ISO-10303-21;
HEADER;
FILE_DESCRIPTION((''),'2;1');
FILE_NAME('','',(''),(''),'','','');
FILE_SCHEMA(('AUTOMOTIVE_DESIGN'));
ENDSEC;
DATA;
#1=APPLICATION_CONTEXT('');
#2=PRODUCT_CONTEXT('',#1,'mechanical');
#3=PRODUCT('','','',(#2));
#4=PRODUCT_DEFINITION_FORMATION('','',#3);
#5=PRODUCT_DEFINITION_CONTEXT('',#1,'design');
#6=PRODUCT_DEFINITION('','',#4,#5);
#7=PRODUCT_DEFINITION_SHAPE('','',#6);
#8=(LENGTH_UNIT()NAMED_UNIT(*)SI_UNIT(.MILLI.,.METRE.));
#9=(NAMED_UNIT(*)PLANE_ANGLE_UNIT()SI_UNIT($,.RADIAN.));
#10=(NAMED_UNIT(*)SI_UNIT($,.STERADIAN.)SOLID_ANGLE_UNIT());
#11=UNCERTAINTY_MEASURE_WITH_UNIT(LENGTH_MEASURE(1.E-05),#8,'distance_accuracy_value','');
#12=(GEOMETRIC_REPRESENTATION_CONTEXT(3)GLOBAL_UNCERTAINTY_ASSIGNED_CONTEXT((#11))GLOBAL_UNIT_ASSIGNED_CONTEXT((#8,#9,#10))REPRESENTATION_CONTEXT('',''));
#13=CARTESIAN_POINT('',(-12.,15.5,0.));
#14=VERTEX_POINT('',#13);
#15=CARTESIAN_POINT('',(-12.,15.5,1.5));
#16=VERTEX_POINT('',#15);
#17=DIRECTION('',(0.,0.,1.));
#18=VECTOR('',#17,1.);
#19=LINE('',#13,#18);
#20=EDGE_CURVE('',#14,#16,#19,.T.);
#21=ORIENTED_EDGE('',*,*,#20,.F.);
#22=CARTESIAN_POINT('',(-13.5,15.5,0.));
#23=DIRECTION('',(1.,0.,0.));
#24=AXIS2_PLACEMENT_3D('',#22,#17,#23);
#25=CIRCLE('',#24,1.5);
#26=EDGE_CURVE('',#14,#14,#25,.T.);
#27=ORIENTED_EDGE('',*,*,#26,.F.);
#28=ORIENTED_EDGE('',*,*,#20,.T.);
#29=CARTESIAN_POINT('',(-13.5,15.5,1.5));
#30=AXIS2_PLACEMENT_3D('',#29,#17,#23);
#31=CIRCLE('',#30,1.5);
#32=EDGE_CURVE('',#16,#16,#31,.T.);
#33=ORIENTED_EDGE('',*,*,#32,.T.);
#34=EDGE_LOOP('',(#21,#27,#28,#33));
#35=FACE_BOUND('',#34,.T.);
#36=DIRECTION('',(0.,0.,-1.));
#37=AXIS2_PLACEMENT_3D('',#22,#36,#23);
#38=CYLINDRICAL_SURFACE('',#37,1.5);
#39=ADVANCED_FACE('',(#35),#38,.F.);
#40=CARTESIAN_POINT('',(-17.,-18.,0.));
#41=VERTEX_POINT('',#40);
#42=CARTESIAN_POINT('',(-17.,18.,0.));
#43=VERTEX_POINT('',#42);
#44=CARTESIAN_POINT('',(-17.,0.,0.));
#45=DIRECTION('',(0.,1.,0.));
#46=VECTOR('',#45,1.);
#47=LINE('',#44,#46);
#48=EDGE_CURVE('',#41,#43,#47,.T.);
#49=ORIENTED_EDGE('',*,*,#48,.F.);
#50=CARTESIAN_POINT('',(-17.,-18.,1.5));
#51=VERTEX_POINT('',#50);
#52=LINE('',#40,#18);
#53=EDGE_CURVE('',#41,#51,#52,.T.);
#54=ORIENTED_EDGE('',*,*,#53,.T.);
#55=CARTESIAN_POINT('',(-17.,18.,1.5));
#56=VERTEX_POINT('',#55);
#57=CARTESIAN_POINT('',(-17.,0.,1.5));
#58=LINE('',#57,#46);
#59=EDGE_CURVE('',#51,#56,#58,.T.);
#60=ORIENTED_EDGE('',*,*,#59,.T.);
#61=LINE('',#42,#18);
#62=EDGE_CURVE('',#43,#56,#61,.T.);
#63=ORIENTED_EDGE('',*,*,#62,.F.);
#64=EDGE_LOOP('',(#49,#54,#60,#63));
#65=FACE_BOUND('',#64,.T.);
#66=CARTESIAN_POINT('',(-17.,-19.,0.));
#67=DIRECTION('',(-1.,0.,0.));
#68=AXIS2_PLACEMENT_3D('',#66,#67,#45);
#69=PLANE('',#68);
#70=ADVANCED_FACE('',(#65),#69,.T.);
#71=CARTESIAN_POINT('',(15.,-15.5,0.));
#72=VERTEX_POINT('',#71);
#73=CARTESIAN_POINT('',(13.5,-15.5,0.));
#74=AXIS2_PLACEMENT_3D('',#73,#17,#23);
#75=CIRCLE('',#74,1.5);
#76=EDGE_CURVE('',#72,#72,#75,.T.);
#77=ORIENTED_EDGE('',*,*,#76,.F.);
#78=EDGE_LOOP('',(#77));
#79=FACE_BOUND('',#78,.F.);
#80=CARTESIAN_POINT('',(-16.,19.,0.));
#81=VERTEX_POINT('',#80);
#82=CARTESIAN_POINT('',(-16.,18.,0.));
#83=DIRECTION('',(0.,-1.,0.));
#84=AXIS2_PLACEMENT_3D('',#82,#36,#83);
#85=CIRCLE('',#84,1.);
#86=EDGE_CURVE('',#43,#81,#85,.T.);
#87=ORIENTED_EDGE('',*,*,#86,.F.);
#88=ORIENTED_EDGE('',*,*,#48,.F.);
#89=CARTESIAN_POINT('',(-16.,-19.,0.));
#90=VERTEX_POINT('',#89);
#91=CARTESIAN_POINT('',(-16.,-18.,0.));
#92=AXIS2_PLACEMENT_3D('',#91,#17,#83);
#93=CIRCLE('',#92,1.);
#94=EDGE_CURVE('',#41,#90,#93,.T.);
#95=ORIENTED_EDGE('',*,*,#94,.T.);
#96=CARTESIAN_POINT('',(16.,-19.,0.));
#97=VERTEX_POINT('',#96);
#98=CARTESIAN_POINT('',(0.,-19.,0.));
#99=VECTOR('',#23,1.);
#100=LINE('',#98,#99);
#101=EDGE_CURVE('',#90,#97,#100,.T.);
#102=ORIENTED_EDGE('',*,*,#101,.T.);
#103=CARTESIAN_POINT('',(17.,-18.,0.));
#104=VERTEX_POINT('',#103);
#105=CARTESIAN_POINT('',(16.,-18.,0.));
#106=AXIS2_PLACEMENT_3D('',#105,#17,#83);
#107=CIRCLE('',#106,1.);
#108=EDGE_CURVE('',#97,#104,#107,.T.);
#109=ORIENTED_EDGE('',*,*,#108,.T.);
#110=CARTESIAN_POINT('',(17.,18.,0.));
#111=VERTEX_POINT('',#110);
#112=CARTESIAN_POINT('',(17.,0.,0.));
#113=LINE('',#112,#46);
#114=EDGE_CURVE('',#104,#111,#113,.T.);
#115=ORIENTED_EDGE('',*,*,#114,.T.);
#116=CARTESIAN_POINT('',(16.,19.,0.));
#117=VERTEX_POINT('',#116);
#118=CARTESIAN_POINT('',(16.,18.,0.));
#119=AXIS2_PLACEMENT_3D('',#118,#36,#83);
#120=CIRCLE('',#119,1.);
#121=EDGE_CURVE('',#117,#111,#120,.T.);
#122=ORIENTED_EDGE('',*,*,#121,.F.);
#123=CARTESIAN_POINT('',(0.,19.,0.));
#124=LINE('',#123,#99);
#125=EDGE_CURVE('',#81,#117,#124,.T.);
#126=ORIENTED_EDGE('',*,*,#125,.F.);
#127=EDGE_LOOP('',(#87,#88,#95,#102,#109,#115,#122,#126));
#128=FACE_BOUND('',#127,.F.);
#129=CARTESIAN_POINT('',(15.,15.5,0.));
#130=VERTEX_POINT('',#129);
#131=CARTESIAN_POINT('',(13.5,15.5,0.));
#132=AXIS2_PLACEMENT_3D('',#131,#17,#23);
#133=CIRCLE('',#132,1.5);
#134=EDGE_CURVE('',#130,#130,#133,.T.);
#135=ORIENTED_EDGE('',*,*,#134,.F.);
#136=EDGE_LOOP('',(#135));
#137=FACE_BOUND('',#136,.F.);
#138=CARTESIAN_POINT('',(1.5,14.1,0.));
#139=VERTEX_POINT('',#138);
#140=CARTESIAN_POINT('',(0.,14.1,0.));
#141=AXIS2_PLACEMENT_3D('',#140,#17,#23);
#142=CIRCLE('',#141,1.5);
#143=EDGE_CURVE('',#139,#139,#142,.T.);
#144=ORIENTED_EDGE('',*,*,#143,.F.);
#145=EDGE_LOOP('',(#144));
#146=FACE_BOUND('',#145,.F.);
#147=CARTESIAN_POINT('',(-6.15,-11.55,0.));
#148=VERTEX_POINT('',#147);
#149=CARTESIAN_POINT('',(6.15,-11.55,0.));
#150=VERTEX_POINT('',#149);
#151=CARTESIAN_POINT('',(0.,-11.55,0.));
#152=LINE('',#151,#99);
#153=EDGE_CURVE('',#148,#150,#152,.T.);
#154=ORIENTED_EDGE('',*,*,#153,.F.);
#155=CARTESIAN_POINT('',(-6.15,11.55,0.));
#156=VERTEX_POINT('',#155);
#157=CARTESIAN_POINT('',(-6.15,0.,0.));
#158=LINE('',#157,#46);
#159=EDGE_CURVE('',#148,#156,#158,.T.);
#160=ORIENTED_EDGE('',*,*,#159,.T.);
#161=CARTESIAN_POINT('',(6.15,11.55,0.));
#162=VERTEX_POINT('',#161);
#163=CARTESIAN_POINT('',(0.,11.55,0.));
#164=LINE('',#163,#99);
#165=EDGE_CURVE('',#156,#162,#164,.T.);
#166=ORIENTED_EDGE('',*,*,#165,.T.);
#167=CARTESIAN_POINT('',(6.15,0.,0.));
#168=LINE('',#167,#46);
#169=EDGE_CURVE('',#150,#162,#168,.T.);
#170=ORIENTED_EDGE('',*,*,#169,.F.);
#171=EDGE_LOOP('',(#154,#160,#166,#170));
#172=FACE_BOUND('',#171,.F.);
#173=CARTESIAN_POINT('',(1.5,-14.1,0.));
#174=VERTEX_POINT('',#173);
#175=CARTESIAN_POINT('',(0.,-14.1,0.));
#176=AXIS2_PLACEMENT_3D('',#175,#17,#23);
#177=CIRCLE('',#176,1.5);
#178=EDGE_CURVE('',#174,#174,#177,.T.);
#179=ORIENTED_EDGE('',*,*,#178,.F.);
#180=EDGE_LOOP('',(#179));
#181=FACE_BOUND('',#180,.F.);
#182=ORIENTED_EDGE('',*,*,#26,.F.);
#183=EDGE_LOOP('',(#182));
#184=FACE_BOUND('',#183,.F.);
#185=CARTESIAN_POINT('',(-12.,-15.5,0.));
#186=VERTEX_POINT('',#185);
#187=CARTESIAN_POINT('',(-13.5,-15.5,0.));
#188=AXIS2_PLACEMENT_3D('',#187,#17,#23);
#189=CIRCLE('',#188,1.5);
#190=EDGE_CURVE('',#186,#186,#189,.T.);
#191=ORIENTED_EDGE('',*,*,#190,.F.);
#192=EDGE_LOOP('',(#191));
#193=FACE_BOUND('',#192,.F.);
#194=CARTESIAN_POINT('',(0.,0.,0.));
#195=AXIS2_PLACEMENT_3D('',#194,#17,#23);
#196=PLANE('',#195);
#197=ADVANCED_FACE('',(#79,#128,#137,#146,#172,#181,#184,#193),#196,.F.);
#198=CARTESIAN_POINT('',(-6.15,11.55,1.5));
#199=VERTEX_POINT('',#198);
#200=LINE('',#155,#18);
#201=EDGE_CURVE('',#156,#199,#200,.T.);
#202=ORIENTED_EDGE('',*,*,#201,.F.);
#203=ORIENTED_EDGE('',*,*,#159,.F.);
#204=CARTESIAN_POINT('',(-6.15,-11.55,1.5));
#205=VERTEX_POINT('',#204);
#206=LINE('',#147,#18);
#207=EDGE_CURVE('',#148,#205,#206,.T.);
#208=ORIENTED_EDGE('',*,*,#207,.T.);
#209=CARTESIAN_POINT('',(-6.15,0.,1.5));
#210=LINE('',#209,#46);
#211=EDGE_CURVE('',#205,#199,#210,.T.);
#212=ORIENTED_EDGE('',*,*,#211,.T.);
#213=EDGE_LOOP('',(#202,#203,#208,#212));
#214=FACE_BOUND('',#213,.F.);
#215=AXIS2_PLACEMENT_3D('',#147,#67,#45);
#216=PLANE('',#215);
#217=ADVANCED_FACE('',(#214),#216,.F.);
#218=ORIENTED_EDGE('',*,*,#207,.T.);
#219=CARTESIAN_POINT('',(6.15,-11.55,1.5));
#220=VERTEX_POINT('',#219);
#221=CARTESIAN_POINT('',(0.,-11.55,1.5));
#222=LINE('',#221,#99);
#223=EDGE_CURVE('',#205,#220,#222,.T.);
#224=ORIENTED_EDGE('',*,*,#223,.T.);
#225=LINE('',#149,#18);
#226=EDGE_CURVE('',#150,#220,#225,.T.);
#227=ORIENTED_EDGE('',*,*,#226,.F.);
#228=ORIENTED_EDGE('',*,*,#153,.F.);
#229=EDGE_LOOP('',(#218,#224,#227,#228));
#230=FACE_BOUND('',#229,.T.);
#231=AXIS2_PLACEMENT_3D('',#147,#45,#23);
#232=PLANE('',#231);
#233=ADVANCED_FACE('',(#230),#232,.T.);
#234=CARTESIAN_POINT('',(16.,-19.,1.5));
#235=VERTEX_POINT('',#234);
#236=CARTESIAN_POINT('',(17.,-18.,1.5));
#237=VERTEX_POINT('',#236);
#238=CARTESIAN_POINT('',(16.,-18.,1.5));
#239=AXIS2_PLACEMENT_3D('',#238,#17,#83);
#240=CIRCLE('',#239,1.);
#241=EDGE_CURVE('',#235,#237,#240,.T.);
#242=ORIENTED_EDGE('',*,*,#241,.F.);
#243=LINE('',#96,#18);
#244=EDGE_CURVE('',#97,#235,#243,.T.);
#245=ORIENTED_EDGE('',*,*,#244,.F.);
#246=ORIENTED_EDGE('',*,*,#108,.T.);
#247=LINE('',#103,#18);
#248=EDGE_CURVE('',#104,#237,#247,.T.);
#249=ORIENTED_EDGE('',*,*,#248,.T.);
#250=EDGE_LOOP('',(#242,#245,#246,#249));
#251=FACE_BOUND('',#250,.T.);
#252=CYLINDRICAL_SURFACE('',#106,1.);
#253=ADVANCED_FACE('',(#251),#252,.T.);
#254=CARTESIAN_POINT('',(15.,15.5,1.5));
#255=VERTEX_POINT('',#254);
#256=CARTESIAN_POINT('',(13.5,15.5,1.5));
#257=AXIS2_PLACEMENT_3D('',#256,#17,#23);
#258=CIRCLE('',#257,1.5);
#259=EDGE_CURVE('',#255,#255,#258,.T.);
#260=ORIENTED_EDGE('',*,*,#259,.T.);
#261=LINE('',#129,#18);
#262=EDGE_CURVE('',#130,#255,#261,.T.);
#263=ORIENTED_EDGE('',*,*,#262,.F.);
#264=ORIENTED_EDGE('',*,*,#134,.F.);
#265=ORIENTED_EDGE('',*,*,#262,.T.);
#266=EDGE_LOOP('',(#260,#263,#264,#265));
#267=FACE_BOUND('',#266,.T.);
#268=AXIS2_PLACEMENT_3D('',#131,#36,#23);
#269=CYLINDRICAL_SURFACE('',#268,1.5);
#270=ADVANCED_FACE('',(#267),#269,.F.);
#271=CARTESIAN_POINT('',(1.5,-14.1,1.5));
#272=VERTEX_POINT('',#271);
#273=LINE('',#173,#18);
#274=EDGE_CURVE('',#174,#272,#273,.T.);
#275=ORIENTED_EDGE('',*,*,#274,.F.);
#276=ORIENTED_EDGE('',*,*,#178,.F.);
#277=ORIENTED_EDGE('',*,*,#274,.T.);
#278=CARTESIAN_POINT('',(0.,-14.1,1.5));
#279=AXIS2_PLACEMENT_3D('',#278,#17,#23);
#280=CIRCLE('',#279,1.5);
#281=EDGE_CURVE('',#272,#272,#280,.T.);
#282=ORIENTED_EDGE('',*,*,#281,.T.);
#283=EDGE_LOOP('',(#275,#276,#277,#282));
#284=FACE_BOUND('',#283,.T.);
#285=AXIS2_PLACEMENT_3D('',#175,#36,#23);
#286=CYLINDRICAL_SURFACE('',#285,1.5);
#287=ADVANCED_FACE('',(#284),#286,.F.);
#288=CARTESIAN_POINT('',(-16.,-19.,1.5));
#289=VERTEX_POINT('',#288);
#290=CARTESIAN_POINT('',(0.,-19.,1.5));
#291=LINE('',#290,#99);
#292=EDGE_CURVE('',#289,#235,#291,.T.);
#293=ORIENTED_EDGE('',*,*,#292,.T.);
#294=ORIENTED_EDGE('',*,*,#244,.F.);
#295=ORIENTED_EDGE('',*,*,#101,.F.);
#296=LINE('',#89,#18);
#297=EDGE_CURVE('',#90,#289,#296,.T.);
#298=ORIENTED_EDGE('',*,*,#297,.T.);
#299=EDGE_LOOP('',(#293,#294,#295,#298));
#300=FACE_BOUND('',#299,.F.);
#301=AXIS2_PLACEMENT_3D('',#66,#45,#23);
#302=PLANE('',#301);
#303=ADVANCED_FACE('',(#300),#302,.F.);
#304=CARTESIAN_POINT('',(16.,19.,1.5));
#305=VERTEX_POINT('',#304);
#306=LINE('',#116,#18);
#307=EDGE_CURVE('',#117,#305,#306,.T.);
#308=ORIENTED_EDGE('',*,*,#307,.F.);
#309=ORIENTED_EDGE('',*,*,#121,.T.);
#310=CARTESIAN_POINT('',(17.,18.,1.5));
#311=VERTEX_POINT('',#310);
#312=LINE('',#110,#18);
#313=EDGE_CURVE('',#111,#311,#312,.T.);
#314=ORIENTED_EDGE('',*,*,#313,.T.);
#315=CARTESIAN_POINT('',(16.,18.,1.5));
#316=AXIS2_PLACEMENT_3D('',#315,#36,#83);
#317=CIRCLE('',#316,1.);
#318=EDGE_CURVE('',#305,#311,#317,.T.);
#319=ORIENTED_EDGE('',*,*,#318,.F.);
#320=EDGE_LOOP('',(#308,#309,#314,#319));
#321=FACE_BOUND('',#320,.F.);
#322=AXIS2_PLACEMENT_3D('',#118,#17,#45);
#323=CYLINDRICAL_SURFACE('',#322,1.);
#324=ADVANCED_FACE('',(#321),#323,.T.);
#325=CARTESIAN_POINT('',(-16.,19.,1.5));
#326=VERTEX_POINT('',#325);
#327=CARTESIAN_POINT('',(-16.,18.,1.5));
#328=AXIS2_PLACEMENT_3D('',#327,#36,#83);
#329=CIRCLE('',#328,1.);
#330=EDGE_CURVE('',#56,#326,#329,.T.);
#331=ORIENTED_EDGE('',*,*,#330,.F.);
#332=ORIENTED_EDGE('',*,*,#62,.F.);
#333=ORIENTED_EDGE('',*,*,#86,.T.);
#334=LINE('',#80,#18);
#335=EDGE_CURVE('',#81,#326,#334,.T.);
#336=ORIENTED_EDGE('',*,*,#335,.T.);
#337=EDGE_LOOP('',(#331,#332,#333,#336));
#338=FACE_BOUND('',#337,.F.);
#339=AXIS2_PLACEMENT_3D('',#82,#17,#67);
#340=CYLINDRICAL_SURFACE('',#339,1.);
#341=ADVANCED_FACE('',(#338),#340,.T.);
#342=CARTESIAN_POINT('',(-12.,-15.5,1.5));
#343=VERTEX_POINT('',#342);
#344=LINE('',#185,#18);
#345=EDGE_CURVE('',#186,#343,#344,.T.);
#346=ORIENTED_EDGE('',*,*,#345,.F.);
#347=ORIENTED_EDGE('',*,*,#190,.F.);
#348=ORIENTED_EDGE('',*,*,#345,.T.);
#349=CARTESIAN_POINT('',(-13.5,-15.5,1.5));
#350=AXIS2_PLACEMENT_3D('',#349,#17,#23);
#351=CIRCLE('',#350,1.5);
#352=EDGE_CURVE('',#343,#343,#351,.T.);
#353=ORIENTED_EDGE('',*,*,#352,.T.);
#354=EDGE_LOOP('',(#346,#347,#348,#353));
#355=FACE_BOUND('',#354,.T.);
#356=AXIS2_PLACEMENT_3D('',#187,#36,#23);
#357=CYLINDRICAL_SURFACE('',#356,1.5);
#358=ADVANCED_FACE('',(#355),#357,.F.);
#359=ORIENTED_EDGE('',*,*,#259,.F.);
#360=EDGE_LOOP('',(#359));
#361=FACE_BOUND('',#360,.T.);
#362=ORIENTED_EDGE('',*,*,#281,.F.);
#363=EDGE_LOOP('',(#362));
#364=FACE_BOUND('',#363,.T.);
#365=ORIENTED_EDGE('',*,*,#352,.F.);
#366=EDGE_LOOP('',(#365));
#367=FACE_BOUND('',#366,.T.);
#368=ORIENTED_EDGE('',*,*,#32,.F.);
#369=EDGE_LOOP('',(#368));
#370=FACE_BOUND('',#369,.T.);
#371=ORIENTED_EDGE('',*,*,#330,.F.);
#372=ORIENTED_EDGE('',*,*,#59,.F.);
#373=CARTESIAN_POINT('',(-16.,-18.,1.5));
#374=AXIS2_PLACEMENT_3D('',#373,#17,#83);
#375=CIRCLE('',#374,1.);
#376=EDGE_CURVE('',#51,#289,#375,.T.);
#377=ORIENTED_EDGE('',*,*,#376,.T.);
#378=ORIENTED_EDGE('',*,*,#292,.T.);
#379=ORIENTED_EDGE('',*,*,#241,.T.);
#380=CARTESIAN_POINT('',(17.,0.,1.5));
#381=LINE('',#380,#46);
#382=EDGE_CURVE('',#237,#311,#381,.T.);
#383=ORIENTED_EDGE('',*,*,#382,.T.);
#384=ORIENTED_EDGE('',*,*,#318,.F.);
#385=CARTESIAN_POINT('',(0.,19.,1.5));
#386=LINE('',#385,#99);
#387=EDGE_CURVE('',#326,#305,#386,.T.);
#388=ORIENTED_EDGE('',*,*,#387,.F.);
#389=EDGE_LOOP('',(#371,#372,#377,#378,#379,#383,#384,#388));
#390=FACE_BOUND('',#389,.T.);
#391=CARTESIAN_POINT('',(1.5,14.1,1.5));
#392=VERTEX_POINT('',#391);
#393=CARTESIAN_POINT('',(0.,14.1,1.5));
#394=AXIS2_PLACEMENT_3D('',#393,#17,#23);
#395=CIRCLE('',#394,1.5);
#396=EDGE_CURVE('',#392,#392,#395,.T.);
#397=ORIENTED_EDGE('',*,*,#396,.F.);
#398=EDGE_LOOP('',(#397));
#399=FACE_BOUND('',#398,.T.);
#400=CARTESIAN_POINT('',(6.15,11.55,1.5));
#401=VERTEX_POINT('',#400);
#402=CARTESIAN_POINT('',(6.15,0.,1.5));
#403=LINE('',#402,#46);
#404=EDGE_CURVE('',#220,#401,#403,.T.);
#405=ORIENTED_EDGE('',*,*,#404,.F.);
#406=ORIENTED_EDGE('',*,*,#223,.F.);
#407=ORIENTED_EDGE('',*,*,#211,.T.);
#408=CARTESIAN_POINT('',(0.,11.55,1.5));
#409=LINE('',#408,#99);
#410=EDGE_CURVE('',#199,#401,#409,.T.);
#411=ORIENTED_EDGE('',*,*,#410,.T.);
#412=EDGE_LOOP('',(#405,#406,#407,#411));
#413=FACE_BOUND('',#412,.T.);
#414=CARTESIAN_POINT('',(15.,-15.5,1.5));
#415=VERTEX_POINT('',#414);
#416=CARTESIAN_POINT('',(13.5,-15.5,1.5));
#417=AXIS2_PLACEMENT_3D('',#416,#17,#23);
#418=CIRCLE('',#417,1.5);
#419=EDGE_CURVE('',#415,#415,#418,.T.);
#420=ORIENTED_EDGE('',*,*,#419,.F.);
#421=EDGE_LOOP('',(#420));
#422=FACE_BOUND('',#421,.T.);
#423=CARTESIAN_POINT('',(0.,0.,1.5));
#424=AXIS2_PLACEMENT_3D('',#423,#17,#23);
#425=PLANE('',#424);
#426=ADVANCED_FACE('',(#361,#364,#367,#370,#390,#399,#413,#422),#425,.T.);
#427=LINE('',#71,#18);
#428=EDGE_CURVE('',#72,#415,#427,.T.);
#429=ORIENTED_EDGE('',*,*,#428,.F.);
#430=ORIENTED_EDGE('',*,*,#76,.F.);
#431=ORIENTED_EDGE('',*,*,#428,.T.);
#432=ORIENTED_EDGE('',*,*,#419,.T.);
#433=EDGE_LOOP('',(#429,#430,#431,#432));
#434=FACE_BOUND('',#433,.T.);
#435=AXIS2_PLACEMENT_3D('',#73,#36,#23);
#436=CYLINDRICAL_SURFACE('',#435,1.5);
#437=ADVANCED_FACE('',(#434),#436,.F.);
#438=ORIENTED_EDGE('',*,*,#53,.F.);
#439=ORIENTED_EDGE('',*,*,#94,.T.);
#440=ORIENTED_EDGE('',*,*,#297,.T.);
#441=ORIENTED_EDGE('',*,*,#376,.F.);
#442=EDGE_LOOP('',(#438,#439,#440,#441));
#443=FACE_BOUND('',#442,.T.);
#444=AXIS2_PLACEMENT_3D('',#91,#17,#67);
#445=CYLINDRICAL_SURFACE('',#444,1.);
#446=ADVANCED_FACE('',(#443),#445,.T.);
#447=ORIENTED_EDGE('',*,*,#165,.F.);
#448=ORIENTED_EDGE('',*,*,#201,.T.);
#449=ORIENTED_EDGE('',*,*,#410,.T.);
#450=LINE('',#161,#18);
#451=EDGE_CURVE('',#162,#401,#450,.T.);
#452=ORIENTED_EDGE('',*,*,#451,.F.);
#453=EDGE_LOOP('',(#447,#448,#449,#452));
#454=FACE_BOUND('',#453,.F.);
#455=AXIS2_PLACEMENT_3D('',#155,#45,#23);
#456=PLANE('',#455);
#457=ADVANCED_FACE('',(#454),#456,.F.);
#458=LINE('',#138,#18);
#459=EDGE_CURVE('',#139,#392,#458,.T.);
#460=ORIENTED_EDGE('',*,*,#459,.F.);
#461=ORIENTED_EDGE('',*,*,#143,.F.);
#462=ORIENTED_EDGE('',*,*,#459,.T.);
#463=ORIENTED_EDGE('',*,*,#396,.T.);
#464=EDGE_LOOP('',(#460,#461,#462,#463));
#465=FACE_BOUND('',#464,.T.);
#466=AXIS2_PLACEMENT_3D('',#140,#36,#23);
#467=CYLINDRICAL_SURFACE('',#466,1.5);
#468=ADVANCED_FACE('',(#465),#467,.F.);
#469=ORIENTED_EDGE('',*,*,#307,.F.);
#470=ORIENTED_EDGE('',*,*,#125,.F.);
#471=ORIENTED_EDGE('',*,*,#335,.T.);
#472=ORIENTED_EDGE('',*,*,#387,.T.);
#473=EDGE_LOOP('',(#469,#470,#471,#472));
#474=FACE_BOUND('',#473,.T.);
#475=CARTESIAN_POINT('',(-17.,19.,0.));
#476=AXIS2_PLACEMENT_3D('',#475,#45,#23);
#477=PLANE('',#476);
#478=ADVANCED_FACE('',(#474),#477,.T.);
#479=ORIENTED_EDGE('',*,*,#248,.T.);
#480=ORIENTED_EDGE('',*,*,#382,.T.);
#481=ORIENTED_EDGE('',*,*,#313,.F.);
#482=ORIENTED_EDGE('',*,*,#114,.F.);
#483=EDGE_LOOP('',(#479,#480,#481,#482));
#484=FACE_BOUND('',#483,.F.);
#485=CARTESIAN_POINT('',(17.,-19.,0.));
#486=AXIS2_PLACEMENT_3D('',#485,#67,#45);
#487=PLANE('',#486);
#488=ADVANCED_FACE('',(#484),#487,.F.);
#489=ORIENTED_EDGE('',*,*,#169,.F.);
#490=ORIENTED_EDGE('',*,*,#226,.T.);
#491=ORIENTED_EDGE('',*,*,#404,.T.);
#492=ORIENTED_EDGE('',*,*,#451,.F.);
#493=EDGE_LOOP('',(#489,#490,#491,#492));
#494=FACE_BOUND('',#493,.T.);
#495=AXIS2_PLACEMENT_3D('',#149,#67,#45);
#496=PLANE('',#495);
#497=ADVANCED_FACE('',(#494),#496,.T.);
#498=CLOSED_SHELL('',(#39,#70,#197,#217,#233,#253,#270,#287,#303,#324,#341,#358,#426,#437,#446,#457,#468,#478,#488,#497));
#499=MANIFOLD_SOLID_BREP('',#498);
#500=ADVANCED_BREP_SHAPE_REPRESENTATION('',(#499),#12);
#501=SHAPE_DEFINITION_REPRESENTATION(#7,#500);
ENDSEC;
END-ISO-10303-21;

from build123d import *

# Parameters (mm, degrees)
SKETCH001_W   = 34
SKETCH001_H   = 38
SKETCH001_R   = 1.5
SKETCH001_W_2 = 12.3
SKETCH001_H_2 = 23.1
EXTRUDE_DEPTH = 1.5
FILLET_R      = 1


with BuildPart() as part:
    # Sketch001 → Extrude (new body)
    with BuildSketch(Plane.XY):
        Rectangle(SKETCH001_W, SKETCH001_H)
        with Locations((0, 14.1)):
            Circle(SKETCH001_R, mode=Mode.SUBTRACT)
        with Locations((0, -14.1)):
            Circle(SKETCH001_R, mode=Mode.SUBTRACT)
        with Locations((13.5, 15.5)):
            Circle(SKETCH001_R, mode=Mode.SUBTRACT)
        with Locations((-13.5, 15.5)):
            Circle(SKETCH001_R, mode=Mode.SUBTRACT)
        with Locations((-13.5, -15.5)):
            Circle(SKETCH001_R, mode=Mode.SUBTRACT)
        with Locations((13.5, -15.5)):
            Circle(SKETCH001_R, mode=Mode.SUBTRACT)
        Rectangle(SKETCH001_W_2, SKETCH001_H_2, mode=Mode.SUBTRACT)
    extrude(amount=EXTRUDE_DEPTH)

    # Fillet
    fillet_edges = [part.edges().sort_by_distance(p)[0] for p in [
        (-17, 19, 0.75),
        (17, 19, 0.75),
        (17, -19, 0.75),
        (-17, -19, 0.75),
    ]]
    fillet(fillet_edges, radius=FILLET_R)


solid = part.part
